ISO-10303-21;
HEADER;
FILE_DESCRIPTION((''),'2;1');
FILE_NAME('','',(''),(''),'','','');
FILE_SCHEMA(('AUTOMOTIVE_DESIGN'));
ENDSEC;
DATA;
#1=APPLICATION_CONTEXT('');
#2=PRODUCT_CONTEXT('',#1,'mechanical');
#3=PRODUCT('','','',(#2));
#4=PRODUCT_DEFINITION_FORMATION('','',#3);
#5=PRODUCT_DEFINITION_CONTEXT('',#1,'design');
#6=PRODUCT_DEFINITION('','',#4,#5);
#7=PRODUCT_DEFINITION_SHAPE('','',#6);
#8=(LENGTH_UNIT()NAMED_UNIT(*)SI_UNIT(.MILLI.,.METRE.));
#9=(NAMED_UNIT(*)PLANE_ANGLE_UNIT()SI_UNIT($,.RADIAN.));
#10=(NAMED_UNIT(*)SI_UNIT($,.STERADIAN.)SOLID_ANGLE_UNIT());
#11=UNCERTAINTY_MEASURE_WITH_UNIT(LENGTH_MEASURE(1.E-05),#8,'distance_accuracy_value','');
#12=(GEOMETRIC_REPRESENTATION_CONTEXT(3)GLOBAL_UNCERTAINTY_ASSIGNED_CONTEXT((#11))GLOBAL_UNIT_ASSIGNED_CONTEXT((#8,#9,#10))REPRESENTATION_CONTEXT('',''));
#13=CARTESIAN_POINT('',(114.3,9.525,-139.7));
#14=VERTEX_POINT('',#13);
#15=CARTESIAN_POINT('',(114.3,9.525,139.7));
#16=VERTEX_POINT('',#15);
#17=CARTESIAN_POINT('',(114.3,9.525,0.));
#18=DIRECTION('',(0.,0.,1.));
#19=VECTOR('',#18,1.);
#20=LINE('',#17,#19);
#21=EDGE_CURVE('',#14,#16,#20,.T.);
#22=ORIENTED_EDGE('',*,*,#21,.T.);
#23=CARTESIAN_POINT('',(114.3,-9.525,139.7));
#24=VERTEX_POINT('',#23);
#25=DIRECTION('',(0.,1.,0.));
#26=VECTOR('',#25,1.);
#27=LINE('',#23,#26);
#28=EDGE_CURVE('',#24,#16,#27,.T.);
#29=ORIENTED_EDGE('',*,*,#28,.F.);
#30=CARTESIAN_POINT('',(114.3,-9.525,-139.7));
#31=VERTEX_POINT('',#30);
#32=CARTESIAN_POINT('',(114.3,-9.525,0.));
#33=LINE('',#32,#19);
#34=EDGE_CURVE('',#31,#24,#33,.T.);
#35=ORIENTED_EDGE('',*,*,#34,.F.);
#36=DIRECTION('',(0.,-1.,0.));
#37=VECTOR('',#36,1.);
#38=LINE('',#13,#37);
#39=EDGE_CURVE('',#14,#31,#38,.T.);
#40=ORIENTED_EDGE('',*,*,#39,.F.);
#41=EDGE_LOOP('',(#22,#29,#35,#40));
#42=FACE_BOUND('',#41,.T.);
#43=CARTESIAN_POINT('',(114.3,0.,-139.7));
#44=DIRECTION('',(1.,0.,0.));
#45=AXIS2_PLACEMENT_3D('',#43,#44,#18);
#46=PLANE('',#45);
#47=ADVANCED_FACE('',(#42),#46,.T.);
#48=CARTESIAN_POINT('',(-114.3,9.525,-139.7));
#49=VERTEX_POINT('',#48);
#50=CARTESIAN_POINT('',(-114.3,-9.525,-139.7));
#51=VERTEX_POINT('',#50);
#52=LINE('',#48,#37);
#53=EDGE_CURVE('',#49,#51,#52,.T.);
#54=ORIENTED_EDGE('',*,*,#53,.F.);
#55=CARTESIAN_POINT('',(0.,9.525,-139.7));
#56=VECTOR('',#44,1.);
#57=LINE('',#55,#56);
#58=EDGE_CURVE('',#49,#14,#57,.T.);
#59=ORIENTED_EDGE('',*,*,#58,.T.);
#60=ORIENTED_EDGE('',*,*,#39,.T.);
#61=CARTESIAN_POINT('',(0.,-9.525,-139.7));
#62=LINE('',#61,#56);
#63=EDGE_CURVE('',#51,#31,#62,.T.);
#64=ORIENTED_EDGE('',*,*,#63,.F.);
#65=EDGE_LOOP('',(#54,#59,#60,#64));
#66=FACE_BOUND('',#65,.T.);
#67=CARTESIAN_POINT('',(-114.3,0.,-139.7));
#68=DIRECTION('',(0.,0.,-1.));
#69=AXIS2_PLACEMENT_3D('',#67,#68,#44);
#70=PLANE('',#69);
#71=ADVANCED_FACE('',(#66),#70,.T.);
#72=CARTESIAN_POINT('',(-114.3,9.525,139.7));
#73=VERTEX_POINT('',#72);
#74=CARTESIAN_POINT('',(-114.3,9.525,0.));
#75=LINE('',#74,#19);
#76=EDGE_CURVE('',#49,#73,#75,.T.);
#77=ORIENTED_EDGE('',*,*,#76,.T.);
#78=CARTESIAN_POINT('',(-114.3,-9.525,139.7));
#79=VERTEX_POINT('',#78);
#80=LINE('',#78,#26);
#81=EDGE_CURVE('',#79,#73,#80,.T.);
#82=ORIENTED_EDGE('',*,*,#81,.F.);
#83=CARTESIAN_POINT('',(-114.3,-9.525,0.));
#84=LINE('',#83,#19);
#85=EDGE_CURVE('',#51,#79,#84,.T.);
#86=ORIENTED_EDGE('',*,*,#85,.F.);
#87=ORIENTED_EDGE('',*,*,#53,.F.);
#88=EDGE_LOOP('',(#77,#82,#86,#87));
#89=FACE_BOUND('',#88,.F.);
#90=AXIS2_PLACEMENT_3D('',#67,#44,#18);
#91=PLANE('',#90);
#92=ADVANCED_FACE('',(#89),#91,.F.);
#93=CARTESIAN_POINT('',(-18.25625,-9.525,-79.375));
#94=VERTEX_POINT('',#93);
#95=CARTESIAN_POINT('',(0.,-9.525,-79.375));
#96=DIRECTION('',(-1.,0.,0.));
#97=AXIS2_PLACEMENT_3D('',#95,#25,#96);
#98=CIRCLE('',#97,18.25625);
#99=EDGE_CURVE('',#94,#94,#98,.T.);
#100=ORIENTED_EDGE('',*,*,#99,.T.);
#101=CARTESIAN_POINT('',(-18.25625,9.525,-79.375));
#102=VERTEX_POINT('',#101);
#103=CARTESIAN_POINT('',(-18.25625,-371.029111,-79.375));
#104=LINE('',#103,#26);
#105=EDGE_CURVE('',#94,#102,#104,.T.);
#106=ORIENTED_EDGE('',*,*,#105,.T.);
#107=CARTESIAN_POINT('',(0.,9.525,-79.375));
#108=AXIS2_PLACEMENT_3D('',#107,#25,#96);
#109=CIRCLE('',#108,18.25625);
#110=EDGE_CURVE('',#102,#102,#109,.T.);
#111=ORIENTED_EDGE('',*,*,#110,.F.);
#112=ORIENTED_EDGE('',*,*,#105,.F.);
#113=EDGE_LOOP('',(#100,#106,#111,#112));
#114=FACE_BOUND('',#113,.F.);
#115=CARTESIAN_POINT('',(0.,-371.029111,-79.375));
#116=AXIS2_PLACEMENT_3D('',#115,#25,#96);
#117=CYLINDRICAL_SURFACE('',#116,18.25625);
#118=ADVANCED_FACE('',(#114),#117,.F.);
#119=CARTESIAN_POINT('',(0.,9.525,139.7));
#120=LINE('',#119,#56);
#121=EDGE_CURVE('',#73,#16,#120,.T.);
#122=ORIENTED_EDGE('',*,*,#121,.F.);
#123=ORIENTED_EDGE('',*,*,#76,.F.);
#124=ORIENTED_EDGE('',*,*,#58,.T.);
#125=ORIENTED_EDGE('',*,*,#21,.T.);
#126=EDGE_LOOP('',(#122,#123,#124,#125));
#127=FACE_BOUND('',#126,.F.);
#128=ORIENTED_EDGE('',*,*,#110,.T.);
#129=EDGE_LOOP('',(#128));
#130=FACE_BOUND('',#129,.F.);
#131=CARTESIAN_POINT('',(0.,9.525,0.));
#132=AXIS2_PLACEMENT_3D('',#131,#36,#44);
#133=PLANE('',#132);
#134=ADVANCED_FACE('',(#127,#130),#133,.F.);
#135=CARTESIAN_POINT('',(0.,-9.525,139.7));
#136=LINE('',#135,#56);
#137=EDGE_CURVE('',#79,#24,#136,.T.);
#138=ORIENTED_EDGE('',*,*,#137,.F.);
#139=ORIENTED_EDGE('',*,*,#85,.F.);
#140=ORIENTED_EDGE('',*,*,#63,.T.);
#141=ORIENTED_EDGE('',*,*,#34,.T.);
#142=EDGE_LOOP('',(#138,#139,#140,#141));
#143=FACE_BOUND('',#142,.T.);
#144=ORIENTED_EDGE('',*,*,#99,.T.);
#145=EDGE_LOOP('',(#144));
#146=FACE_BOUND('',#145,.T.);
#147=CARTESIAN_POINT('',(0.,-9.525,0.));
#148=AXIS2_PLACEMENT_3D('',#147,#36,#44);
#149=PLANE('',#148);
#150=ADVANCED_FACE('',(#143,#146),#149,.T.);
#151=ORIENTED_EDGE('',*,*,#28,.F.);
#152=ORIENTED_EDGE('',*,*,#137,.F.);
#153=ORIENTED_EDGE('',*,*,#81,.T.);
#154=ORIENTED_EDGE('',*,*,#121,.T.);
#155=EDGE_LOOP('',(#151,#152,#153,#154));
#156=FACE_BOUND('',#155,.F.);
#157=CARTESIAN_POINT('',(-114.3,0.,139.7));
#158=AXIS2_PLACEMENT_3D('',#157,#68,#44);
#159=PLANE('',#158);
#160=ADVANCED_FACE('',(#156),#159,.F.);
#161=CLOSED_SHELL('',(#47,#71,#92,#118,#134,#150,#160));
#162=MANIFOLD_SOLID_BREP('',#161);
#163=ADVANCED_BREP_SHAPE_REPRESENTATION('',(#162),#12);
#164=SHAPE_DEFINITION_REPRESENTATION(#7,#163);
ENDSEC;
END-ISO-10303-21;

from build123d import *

# Parameters (mm, degrees)
F0_W     = 228.6
F0_H     = 279.4
F1_DEPTH = 9.525
F3_D     = 36.5125


with BuildPart() as f1:
    # F0 (on Front) → F1 (new body, symmetric)
    with BuildSketch(Plane.XZ):
        Rectangle(F0_W, F0_H)
    extrude(amount=F1_DEPTH, both=True)

    # F3 (through all)
    with Locations(Plane.XZ.offset(9.525)):
        with Locations((0, -79.375)):
            Hole(F3_D / 2)


solid = f1.part
